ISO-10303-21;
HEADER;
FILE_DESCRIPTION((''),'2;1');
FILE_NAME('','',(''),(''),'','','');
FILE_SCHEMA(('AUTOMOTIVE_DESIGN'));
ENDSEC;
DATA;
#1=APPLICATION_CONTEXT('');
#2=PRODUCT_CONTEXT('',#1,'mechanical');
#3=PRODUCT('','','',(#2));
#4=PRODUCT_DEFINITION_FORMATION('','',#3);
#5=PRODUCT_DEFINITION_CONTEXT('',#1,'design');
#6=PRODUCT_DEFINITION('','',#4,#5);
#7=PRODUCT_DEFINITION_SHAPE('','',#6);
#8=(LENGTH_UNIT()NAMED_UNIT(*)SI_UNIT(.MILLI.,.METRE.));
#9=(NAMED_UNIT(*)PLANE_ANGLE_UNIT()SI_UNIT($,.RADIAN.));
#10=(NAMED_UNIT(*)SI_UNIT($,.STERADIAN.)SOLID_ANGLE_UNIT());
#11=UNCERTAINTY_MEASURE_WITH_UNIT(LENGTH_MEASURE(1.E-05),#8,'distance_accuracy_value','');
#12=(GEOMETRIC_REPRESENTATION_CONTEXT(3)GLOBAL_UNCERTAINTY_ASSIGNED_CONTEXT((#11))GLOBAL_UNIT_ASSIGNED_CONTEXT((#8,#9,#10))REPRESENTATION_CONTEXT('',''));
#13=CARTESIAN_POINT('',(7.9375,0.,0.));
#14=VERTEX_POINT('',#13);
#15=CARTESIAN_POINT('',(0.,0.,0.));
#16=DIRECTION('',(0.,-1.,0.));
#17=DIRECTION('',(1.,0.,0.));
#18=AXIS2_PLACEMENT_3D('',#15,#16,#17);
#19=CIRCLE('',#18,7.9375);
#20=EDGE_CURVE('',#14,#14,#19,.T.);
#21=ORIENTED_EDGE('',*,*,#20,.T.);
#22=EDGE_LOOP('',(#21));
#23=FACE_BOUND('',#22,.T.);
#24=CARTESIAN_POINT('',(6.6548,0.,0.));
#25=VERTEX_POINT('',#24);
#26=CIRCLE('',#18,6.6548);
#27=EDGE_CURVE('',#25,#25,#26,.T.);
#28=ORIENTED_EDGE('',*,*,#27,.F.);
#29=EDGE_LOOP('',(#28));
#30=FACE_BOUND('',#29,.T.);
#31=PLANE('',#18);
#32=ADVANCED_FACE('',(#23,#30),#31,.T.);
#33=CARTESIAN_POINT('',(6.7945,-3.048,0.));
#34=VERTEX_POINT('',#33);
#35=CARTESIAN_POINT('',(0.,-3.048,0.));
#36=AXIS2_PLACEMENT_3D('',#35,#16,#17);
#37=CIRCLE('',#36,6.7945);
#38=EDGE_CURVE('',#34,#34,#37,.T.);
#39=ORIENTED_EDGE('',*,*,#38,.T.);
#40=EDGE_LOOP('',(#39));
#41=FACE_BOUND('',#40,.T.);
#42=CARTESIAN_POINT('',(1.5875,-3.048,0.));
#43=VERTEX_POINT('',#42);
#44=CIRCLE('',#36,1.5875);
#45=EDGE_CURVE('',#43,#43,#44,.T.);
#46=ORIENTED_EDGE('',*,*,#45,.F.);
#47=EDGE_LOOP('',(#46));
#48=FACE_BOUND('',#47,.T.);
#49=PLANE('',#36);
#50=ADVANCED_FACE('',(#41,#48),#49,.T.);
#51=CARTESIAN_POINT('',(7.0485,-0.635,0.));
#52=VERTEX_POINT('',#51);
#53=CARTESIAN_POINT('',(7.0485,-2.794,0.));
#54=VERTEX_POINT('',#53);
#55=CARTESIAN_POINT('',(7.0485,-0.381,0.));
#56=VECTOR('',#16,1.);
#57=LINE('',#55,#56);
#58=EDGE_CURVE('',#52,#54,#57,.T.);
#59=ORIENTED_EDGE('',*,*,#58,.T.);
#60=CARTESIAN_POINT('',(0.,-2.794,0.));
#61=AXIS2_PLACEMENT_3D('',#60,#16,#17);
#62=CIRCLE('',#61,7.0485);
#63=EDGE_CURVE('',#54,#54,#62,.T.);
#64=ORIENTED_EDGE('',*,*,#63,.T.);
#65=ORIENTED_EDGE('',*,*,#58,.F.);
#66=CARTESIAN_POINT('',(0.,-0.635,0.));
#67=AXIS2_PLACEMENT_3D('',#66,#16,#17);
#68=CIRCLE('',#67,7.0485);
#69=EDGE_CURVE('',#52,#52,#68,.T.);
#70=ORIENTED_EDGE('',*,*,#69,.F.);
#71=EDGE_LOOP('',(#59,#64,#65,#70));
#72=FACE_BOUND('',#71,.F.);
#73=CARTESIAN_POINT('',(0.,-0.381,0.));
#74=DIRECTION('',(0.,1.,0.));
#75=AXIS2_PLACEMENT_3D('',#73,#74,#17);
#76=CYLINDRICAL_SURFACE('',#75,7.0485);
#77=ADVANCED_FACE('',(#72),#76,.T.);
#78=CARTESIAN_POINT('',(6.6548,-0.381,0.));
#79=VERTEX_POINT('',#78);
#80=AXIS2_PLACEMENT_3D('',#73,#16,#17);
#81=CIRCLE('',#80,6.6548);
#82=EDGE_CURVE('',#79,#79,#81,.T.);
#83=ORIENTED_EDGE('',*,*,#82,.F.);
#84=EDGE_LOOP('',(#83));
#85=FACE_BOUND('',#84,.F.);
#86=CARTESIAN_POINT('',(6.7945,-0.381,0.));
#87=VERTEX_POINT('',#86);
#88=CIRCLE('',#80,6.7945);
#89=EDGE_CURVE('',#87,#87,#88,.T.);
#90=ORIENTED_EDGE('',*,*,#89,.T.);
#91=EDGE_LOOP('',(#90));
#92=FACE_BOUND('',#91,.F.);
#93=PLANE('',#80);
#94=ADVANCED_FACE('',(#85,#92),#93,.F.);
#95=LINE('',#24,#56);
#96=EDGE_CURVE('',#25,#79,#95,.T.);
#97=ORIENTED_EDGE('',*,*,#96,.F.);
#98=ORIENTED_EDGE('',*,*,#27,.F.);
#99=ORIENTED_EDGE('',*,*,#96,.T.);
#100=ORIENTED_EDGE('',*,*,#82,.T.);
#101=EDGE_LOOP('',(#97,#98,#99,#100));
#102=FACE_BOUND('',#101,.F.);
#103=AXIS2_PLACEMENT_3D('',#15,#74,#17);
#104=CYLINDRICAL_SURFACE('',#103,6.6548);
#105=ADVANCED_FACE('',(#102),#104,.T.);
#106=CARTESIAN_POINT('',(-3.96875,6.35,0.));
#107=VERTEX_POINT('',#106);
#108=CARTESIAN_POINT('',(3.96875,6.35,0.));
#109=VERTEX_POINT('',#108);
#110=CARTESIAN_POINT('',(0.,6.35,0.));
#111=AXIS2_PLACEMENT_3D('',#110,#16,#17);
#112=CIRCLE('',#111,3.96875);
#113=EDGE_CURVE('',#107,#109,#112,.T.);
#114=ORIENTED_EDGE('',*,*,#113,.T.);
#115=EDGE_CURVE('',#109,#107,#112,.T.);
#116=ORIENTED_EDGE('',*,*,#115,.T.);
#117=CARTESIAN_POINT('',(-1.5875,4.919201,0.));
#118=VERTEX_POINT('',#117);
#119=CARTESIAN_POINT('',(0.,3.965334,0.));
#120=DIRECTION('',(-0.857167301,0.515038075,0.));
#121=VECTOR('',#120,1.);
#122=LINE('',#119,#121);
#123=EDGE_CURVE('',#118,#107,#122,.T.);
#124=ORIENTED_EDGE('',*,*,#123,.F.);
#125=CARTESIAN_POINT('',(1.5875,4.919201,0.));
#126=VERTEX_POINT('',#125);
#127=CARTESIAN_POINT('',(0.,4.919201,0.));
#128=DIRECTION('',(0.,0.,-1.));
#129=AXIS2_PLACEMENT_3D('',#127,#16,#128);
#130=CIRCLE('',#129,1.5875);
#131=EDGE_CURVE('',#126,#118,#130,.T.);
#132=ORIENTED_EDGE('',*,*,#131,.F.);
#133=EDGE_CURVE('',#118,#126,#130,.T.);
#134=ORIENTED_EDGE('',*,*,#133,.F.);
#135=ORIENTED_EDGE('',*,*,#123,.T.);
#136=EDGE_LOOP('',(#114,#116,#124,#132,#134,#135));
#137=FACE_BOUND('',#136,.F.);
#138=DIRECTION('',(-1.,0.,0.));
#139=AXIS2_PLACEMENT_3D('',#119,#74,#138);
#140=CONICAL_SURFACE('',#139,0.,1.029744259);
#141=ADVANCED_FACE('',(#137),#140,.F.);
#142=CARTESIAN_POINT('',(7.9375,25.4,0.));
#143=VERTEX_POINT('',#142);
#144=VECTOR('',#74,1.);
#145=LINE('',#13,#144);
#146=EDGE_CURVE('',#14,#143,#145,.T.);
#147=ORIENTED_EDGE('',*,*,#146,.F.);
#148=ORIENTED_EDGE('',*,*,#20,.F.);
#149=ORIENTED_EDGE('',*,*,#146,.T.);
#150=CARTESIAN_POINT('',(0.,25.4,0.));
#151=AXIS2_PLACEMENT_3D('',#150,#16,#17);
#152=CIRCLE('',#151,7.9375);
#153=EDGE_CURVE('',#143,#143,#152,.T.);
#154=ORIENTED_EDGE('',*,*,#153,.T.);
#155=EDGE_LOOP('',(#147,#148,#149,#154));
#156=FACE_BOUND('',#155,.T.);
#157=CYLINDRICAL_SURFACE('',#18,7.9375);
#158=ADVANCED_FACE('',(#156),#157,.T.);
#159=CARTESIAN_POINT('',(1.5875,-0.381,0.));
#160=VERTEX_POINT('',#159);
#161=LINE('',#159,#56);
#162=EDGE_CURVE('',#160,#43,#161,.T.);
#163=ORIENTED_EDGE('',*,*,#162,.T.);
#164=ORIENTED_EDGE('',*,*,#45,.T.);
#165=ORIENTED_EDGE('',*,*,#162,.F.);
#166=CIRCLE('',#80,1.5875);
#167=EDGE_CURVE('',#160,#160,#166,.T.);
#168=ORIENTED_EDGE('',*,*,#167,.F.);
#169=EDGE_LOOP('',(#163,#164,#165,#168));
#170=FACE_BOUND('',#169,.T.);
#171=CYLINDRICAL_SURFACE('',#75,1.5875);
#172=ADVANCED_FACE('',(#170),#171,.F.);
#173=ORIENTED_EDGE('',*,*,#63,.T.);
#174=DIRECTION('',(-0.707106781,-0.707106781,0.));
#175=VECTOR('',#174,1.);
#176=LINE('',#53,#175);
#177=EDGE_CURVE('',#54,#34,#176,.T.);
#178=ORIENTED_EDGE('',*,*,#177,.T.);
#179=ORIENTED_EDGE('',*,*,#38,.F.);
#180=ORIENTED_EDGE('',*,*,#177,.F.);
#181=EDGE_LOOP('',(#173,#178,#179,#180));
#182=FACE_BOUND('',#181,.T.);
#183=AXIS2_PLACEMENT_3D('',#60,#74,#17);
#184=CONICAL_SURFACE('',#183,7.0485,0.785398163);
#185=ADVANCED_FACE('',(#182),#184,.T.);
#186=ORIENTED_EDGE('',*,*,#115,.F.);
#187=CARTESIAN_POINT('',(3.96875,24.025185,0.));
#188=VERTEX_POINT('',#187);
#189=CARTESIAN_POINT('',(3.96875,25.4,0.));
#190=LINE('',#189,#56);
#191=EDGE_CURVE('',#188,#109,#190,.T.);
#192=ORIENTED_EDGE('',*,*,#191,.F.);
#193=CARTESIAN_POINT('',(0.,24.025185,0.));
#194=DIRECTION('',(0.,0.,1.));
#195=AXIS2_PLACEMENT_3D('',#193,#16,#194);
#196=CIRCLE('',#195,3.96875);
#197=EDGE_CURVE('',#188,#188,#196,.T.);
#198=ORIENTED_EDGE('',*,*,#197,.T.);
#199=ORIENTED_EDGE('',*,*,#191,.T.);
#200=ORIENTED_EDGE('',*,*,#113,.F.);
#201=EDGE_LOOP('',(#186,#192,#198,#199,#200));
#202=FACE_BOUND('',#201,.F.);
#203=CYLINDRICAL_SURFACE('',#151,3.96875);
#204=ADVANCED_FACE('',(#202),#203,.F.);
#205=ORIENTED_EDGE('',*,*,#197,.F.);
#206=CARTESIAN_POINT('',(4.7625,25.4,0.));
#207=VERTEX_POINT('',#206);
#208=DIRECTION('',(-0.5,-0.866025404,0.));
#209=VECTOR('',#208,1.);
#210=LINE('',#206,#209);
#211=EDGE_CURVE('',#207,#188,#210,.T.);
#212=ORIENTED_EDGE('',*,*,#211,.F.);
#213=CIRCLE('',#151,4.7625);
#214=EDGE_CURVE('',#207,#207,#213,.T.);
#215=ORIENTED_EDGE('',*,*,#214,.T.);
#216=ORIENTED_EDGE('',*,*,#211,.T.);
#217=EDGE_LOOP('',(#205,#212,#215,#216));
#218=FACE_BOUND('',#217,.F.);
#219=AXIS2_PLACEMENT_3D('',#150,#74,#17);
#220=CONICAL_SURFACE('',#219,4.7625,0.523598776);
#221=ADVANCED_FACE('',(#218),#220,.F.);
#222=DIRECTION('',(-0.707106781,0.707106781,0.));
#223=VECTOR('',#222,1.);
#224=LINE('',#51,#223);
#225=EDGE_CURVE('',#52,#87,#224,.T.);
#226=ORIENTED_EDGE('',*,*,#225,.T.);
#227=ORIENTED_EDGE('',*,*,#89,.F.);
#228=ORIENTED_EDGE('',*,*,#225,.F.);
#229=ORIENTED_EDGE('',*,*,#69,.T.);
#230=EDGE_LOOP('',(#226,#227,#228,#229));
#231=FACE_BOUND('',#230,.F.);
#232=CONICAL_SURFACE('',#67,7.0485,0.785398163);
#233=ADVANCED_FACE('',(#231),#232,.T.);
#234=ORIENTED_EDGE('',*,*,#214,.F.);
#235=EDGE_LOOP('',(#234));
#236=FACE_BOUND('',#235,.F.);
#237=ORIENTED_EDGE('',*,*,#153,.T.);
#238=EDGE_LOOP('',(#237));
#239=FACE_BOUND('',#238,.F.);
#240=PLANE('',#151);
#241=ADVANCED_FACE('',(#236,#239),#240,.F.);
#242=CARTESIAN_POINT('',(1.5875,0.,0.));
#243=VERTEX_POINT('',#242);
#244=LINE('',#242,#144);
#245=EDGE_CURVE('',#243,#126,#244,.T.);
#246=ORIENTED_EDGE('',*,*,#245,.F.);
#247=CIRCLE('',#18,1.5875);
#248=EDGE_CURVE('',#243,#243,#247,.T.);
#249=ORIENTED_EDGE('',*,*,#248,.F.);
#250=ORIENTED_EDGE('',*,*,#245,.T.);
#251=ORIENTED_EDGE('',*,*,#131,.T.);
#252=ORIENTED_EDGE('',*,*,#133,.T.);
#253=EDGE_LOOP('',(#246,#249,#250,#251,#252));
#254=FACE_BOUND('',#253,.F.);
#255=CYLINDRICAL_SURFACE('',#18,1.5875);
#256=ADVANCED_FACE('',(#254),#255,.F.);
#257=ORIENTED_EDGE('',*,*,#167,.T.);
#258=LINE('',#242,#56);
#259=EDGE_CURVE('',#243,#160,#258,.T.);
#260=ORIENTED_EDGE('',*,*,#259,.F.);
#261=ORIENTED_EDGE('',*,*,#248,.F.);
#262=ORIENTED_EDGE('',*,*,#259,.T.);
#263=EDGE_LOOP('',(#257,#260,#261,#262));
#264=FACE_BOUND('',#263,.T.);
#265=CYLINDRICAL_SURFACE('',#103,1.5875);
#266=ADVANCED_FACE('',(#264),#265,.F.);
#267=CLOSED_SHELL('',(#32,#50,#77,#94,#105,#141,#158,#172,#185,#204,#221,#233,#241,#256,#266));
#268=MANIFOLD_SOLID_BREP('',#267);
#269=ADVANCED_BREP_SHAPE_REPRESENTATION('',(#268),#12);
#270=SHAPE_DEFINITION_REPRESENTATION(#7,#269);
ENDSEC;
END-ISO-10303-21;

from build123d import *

# Parameters (mm, degrees)
F0_R           = 7.9375
F0_R_2         = 6.6548
F0_R_3         = 1.5875
F1_DEPTH       = 25.4
F3_D           = 7.9375
F3_DEPTH       = 19.05
F3_CSINK_D     = 9.525
F3_CSINK_ANGLE = 60
F3_TIP         = 2.3846655818
F4_DEPTH       = 0.381
F5_R           = 7.0485
F5_R_2         = 1.5875
F6_DEPTH       = 2.667
F7_SIZE        = 0.254


with BuildPart() as f1:
    # F0 (on Front) → F1 (new body)
    with BuildSketch(Plane.XZ):
        Circle(F0_R)
        Circle(F0_R_2, mode=Mode.SUBTRACT)
        Circle(F0_R_2)
        Circle(F0_R_3, mode=Mode.SUBTRACT)
    extrude(amount=-F1_DEPTH)

    # F3
    with Locations(Plane(origin=(0, 25.4, 0), x_dir=(-1, 0, 0), z_dir=(0, 1, 0))):
        with Locations((0, 0)):
            CounterSinkHole(F3_D / 2, F3_CSINK_D / 2, depth=F3_DEPTH, counter_sink_angle=F3_CSINK_ANGLE)
            with Locations((0, 0, -(F3_DEPTH + F3_TIP / 2))):  # 118° drill point
                Cone(0, F3_D / 2, F3_TIP, mode=Mode.SUBTRACT)

    # F0 (on Front) → F4 (join)
    with BuildSketch(Plane.XZ):
        Circle(F0_R_2)
        Circle(F0_R_3, mode=Mode.SUBTRACT)
    extrude(amount=F4_DEPTH)

    # F5 (on face) → F6 (join)
    with BuildSketch(Plane.XZ.offset(0.381)):
        Circle(F5_R)
        Circle(F5_R_2, mode=Mode.SUBTRACT)
    extrude(amount=F6_DEPTH)

    # F7
    f7_edges = [f1.edges().sort_by_distance(p)[0] for p in [
        (-7.0485, -3.048, 0),
        (-7.0485, -0.381, 0),
    ]]
    chamfer(f7_edges, length=F7_SIZE)


solid = f1.part
